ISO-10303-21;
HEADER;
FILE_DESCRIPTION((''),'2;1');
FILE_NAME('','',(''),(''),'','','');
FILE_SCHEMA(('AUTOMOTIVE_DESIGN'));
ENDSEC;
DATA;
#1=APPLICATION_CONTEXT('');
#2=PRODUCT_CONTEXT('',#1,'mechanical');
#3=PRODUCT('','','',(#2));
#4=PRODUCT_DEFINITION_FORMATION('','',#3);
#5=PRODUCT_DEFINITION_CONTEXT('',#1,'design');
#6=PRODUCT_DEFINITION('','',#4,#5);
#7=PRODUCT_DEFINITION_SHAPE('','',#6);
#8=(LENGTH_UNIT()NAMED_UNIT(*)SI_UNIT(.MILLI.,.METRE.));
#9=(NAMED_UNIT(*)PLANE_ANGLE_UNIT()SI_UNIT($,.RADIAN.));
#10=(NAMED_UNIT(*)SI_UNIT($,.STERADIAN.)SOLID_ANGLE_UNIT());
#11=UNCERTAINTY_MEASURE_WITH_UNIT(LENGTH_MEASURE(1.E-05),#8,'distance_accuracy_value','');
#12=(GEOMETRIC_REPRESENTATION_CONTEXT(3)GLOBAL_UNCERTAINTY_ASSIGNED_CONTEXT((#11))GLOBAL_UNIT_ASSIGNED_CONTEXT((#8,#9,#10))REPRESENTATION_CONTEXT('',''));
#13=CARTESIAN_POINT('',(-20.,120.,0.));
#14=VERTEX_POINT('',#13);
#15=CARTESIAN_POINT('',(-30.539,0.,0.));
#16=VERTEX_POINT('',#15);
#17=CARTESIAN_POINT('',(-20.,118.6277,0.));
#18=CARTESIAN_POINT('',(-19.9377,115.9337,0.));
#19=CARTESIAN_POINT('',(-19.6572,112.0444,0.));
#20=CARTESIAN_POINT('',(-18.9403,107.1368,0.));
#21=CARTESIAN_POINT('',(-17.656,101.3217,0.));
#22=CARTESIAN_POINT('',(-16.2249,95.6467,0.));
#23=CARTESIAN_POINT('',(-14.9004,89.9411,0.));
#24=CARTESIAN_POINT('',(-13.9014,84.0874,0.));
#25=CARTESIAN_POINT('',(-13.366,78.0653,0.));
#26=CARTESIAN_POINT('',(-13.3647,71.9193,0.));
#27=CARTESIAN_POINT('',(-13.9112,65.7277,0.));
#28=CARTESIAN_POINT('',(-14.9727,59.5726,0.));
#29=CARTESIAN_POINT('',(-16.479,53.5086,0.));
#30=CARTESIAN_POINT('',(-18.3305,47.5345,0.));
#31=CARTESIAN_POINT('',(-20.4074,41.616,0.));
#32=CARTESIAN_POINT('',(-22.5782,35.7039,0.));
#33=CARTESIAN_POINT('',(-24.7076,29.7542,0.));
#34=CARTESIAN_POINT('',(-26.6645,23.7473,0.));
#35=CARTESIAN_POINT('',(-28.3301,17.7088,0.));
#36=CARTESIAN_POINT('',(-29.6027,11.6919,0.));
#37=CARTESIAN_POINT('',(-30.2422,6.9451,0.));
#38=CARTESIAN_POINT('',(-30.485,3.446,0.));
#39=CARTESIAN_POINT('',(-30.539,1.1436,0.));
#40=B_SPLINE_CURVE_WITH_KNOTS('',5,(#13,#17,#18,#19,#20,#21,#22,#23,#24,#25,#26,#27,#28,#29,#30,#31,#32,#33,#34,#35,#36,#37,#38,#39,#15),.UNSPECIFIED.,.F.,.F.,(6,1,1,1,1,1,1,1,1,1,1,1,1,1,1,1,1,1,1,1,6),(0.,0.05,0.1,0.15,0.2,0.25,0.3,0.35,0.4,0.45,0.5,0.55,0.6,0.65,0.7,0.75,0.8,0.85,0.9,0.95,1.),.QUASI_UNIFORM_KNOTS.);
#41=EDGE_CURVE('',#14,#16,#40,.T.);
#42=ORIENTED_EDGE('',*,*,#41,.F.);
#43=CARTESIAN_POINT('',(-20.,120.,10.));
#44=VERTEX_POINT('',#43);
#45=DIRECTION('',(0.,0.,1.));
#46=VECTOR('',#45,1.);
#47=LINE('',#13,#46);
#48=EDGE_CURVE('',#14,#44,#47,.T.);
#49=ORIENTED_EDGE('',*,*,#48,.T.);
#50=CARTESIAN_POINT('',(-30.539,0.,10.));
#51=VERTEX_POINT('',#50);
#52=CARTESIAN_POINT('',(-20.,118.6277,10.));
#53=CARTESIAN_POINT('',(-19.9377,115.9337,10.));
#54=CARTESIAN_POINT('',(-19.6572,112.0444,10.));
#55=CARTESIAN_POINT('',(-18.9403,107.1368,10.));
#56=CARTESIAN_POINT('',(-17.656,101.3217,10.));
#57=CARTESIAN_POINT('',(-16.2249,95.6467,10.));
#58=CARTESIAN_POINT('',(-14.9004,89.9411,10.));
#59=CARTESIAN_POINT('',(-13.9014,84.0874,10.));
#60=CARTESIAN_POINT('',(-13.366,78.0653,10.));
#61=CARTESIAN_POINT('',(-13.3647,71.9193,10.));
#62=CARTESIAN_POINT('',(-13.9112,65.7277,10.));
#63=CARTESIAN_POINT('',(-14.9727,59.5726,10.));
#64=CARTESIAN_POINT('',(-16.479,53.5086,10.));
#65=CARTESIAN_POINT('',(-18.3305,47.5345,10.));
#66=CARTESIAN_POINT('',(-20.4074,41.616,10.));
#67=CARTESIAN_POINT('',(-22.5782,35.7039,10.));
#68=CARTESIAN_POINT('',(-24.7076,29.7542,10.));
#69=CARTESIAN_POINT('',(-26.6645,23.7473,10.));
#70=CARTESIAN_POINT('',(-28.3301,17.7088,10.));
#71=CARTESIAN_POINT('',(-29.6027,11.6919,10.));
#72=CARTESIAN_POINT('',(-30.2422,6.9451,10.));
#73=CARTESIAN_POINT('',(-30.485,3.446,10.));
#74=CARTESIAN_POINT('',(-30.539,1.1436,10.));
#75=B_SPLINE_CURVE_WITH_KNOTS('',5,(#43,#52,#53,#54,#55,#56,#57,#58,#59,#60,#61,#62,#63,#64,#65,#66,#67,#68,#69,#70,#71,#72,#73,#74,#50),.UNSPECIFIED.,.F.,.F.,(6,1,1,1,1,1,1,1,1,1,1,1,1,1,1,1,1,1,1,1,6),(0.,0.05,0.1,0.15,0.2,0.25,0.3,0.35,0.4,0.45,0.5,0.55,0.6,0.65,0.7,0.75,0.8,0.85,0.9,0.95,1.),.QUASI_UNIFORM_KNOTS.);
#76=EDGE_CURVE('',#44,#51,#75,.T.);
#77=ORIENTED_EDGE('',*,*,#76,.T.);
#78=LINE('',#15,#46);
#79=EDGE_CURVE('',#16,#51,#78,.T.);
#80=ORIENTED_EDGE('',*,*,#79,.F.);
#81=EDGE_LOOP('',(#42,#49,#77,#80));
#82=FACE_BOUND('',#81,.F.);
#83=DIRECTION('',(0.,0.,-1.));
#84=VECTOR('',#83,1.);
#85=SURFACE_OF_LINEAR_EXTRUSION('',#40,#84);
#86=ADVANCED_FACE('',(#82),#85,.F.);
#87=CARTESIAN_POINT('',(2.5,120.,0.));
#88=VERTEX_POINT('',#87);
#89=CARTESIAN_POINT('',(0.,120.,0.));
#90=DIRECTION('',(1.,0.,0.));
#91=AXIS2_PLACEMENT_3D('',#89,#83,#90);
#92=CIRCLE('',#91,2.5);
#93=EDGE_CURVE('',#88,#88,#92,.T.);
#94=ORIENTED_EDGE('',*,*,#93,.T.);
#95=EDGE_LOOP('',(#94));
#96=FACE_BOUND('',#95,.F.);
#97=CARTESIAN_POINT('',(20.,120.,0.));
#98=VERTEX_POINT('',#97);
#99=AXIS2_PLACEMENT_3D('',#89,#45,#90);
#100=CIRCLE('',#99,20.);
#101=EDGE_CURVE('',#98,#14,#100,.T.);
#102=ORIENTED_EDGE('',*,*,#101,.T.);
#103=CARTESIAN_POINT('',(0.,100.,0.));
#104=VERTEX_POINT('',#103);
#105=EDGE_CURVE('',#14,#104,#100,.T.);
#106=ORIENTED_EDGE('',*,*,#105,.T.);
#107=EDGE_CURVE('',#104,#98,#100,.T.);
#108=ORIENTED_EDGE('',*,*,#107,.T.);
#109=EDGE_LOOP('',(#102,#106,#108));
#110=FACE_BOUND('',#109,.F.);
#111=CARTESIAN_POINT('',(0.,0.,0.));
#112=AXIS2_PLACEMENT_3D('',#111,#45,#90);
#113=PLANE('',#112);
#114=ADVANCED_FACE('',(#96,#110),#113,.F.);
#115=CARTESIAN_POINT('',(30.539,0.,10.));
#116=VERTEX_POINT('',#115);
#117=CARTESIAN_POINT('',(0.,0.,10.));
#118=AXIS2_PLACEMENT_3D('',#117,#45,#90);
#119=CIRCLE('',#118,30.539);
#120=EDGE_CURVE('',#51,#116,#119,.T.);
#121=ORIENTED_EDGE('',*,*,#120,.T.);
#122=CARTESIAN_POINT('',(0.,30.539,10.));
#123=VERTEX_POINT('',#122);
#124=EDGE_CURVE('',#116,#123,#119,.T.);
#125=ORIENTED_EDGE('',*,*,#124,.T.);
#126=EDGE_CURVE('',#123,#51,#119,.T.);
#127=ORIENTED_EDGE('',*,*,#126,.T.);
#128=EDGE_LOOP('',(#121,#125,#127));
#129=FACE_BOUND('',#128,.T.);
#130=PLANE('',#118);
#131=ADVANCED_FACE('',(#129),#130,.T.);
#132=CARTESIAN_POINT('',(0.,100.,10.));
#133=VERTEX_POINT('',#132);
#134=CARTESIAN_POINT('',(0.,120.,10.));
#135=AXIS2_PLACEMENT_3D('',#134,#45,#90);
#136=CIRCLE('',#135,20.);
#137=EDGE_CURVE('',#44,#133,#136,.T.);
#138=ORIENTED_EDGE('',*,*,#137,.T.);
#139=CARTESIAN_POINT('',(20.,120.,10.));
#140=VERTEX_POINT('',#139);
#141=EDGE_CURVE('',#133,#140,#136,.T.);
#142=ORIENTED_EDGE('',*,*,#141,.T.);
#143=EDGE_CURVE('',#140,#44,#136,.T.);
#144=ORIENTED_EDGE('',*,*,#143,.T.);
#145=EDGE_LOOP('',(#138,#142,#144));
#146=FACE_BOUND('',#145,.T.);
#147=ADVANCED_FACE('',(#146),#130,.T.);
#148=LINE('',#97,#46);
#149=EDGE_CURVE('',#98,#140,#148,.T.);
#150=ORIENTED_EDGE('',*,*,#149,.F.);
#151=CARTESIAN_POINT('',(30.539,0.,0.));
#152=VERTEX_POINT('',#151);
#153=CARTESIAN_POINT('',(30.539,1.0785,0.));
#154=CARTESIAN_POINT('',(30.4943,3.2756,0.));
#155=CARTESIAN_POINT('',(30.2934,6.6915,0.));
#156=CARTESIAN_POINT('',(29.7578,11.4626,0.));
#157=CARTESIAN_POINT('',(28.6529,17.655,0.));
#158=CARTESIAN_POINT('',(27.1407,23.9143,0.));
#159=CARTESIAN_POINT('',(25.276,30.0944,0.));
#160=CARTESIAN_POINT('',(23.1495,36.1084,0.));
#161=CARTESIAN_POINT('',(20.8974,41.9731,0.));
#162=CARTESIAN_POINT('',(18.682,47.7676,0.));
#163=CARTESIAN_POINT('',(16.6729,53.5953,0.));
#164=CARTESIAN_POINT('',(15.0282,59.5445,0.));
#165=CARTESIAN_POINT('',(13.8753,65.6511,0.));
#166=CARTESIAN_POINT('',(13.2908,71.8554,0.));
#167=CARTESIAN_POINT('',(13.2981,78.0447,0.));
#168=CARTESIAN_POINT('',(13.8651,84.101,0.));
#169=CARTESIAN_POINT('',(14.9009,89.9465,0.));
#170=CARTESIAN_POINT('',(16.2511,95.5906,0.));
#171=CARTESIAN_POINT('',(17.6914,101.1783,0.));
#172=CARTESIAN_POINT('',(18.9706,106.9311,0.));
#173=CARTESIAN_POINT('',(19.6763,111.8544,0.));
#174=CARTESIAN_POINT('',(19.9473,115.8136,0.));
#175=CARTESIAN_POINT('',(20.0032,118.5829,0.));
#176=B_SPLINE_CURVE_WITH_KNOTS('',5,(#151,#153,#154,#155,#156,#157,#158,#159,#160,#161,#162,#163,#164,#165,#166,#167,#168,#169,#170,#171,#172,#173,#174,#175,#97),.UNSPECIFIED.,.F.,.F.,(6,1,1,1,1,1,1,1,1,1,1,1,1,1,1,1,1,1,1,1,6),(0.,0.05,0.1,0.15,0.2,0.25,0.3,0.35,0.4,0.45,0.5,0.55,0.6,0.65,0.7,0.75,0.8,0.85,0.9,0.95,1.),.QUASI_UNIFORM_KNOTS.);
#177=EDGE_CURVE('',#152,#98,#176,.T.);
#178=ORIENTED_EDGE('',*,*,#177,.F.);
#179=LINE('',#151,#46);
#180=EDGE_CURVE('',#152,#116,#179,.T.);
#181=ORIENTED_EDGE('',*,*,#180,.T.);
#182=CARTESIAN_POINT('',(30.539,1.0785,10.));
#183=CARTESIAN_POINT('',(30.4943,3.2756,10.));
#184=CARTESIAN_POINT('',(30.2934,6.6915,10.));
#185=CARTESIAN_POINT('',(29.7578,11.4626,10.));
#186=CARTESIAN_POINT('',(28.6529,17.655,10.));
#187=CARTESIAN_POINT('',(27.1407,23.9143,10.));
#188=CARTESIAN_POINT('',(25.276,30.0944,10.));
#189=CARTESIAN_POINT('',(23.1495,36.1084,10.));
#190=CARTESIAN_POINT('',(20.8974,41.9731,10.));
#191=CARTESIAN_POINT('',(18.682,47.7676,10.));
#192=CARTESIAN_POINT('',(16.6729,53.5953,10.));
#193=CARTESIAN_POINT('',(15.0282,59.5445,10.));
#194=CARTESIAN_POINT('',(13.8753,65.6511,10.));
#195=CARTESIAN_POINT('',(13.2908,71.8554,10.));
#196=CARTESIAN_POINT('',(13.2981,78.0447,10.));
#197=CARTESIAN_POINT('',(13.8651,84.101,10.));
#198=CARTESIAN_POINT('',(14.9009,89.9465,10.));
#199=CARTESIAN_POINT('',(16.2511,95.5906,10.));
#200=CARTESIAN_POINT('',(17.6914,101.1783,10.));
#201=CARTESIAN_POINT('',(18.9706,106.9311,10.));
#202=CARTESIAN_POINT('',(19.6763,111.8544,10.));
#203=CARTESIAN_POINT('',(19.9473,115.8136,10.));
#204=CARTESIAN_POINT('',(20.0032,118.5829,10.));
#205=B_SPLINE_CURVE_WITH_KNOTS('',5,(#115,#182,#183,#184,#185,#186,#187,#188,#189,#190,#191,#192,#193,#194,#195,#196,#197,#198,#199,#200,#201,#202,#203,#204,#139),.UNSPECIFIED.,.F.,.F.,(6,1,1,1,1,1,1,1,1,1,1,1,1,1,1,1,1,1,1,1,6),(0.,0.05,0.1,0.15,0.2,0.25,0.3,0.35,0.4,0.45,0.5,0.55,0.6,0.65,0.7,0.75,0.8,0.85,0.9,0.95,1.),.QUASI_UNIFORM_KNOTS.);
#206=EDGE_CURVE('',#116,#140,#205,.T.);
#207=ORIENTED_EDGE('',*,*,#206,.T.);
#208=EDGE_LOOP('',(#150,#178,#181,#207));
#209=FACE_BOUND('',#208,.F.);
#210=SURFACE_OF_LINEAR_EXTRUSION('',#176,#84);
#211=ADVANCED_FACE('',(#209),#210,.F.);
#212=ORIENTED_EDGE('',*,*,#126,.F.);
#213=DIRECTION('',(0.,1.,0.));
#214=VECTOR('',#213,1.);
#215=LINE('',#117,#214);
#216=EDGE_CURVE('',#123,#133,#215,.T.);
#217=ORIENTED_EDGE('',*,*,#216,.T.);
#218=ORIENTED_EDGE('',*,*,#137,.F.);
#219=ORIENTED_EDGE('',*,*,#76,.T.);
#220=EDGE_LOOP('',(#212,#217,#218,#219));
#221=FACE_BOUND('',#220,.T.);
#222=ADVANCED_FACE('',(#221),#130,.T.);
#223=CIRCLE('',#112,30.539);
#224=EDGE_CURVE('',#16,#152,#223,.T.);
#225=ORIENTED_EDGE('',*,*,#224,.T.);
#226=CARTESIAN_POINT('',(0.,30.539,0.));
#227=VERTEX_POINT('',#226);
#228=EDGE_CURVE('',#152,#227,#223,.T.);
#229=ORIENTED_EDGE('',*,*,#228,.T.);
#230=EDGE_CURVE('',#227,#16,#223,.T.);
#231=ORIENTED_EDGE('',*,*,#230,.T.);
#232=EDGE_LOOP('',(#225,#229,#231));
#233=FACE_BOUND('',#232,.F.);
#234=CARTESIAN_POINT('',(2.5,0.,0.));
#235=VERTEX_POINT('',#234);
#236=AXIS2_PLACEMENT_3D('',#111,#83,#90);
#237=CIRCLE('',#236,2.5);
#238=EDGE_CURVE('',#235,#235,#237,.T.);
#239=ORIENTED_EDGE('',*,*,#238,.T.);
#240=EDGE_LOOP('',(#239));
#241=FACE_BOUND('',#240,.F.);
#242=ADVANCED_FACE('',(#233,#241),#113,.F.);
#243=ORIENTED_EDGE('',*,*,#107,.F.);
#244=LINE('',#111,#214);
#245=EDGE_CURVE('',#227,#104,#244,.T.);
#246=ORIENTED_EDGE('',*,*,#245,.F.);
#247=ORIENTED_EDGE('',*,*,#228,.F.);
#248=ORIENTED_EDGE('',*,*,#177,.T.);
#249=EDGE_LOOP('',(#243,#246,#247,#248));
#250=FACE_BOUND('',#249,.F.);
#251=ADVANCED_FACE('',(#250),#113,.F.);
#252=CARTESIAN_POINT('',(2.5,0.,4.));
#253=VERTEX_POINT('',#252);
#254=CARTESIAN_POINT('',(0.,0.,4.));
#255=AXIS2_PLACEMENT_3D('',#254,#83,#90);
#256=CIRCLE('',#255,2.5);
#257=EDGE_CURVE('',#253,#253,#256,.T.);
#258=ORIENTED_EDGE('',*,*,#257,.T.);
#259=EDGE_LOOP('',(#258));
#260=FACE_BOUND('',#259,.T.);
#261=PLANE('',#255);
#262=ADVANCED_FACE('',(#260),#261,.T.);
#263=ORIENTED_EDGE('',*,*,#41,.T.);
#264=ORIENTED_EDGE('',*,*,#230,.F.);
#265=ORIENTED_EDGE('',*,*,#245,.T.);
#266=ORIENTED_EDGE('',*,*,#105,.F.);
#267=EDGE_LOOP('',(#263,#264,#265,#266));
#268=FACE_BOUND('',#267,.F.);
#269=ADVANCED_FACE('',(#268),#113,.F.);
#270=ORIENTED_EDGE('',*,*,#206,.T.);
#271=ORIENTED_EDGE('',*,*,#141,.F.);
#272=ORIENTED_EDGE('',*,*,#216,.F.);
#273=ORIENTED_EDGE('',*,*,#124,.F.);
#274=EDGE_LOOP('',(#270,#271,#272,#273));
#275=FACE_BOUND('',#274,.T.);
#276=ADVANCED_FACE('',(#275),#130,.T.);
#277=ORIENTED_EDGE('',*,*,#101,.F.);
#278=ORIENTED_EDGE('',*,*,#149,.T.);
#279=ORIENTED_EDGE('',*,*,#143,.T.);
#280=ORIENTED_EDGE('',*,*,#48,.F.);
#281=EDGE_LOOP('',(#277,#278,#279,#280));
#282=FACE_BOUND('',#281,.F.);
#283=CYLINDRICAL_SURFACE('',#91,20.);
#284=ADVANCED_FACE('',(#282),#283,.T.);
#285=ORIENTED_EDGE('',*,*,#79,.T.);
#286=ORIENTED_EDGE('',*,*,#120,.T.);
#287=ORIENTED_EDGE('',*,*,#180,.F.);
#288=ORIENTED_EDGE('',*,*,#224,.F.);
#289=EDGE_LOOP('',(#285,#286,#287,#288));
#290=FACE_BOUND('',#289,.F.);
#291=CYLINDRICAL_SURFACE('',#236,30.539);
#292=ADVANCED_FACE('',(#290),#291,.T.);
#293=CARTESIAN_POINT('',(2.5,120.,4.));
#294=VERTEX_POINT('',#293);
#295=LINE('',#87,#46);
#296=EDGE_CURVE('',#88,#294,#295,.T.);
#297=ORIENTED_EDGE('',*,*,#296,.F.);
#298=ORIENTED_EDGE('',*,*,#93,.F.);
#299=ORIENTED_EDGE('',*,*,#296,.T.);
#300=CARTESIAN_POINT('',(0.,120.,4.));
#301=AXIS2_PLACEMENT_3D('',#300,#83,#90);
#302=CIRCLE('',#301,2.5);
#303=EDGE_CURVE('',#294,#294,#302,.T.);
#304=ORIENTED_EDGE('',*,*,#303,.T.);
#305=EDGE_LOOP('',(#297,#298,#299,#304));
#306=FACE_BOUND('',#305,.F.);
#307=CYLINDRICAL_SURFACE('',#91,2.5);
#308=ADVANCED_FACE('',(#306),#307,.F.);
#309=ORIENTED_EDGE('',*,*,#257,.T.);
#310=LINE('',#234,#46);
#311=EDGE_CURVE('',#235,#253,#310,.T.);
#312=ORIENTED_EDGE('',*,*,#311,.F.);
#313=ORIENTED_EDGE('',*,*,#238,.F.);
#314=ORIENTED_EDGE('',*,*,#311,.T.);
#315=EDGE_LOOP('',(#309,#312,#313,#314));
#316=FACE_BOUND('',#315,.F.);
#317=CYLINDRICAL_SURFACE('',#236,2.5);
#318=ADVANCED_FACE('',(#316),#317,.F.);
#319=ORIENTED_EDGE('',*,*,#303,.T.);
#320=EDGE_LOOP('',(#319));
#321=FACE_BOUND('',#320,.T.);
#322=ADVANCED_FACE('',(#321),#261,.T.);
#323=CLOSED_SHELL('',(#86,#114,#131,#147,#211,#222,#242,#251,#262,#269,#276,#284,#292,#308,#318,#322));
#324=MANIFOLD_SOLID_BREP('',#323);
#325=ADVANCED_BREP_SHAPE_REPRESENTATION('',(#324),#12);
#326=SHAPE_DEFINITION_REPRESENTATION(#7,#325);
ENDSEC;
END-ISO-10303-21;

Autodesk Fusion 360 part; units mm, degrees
sketch "Sketch1" plane through (0, 0, 0) normal (0, 0, 1) x (1, 0, 0)
  circle A0 centre (0, 0) radius 30.539
  line L0 (0, 0) -> (0, 120)
  circle A1 centre (0, 120) radius 20
  spline S0 degree 5 poles (-20, 120) (-20, 118.6277) (-19.9377, 115.9337) (-19.6572, 112.0444) (-18.9403, 107.1368) (-17.656, 101.3217) (-16.2249, 95.6467) (-14.9004, 89.9411) (-13.9014, 84.0874) (-13.366, 78.0653) (-13.3647, 71.9193) (-13.9112, 65.7277) (-14.9727, 59.5726) (-16.479, 53.5086) (-18.3305, 47.5345) (-20.4074, 41.616) (-22.5782, 35.7039) (-24.7076, 29.7542) (-26.6645, 23.7473) (-28.3301, 17.7088) (-29.6027, 11.6919) (-30.2422, 6.9451) (-30.485, 3.446) (-30.539, 1.1436) (-30.539, 0) knots 0 0 0 0 0 0 0.05 0.1 0.15 0.2 0.25 0.3 0.35 0.4 0.45 0.5 0.55 0.6 0.65 0.7 0.75 0.8 0.85 0.9 0.95 1 1 1 1 1 1
  spline S1 degree 5 poles (30.539, 0) (30.539, 1.0785) (30.4943, 3.2756) (30.2934, 6.6915) (29.7578, 11.4626) (28.6529, 17.655) (27.1407, 23.9143) (25.276, 30.0944) (23.1495, 36.1084) (20.8974, 41.9731) (18.682, 47.7676) (16.6729, 53.5953) (15.0282, 59.5445) (13.8753, 65.6511) (13.2908, 71.8554) (13.2981, 78.0447) (13.8651, 84.101) (14.9009, 89.9465) (16.2511, 95.5906) (17.6914, 101.1783) (18.9706, 106.9311) (19.6763, 111.8544) (19.9473, 115.8136) (20.0032, 118.5829) (20, 120) knots 0 0 0 0 0 0 0.05 0.1 0.15 0.2 0.25 0.3 0.35 0.4 0.45 0.5 0.55 0.6 0.65 0.7 0.75 0.8 0.85 0.9 0.95 1 1 1 1 1 1
  line L1 (30.539, -11) -> (30.539, 11)
  line L2 (-30.539, 11.7182) -> (-30.539, -11.7182)
  line L3 (-20, 134) -> (-20, 106)
  line L4 (20.0327, 105.5399) -> (19.9673, 134.4601)
  point P0 (-30.539, 0)
  point P1 (30.539, 0)
  point P2 (-20, 120)
  point P3 (20, 120)
  point P4 (-24.7648, 29.445)
  point P5 (-15, 60)
  point P6 (-15, 90)
  point P7 (25.2479, 29.94)
  point P8 (15.0558, 60)
  point P9 (15, 90)
  point P10 (-15, 90)
  point P11 (-15, 60)
  point P12 (-24.7648, 29.445)
  point P13 (25.2479, 29.94)
  point P14 (15.0558, 60)
  point P15 (15, 90)
  dimension "d1" = 61.078
  dimension "d2" = 120
  dimension "d3" = 40
extrude "Extrude1" add sketch "Sketch1" along normal blind 10
sketch "Sketch2" plane through (0, 0, 0) normal (0, 0, 1) x (1, 0, 0)
sketch "Sketch3" plane through (0, 0, 0) normal (0, 0, -1) x (1, 0, 0)
  spline S0 degree 5 poles (30.539, 0) (30.539, -1.0785) (30.4943, -3.2756) (30.2934, -6.6915) (29.7578, -11.4626) (28.6529, -17.655) (27.1407, -23.9143) (25.276, -30.0944) (23.1495, -36.1084) (20.8974, -41.9731) (18.682, -47.7676) (16.6729, -53.5953) (15.0282, -59.5445) (13.8753, -65.6511) (13.2908, -71.8554) (13.2981, -78.0447) (13.8651, -84.101) (14.9009, -89.9465) (16.2511, -95.5906) (17.6914, -101.1783) (18.9706, -106.9311) (19.6763, -111.8544) (19.9473, -115.8136) (20.0032, -118.5829) (20, -120) knots 0 0 0 0 0 0 0.05 0.1 0.15 0.2 0.25 0.3 0.35 0.4 0.45 0.5 0.55 0.6 0.65 0.7 0.75 0.8 0.85 0.9 0.95 1 1 1 1 1 1
  arc A0 (30.539, 0) -> (-30.539, 0) centre (0, 0) ccw
  spline S1 degree 5 poles (-20, -120) (-20, -118.6277) (-19.9377, -115.9337) (-19.6572, -112.0444) (-18.9403, -107.1368) (-17.656, -101.3217) (-16.2249, -95.6467) (-14.9004, -89.9411) (-13.9014, -84.0874) (-13.366, -78.0653) (-13.3647, -71.9193) (-13.9112, -65.7277) (-14.9727, -59.5726) (-16.479, -53.5086) (-18.3305, -47.5345) (-20.4074, -41.616) (-22.5782, -35.7039) (-24.7076, -29.7542) (-26.6645, -23.7473) (-28.3301, -17.7088) (-29.6027, -11.6919) (-30.2422, -6.9451) (-30.485, -3.446) (-30.539, -1.1436) (-30.539, 0) knots 0 0 0 0 0 0 0.05 0.1 0.15 0.2 0.25 0.3 0.35 0.4 0.45 0.5 0.55 0.6 0.65 0.7 0.75 0.8 0.85 0.9 0.95 1 1 1 1 1 1
  arc A1 (-20, -120) -> (20, -120) centre (0, -120) ccw
  circle A2 centre (0, 0) radius 2.5
  circle A3 centre (0, -120) radius 2.5
  dimension "d6" = 5
  dimension "d7" = 5
extrude "Extrude2" cut sketch "Sketch3" against normal blind 4 contours A2 | A3
